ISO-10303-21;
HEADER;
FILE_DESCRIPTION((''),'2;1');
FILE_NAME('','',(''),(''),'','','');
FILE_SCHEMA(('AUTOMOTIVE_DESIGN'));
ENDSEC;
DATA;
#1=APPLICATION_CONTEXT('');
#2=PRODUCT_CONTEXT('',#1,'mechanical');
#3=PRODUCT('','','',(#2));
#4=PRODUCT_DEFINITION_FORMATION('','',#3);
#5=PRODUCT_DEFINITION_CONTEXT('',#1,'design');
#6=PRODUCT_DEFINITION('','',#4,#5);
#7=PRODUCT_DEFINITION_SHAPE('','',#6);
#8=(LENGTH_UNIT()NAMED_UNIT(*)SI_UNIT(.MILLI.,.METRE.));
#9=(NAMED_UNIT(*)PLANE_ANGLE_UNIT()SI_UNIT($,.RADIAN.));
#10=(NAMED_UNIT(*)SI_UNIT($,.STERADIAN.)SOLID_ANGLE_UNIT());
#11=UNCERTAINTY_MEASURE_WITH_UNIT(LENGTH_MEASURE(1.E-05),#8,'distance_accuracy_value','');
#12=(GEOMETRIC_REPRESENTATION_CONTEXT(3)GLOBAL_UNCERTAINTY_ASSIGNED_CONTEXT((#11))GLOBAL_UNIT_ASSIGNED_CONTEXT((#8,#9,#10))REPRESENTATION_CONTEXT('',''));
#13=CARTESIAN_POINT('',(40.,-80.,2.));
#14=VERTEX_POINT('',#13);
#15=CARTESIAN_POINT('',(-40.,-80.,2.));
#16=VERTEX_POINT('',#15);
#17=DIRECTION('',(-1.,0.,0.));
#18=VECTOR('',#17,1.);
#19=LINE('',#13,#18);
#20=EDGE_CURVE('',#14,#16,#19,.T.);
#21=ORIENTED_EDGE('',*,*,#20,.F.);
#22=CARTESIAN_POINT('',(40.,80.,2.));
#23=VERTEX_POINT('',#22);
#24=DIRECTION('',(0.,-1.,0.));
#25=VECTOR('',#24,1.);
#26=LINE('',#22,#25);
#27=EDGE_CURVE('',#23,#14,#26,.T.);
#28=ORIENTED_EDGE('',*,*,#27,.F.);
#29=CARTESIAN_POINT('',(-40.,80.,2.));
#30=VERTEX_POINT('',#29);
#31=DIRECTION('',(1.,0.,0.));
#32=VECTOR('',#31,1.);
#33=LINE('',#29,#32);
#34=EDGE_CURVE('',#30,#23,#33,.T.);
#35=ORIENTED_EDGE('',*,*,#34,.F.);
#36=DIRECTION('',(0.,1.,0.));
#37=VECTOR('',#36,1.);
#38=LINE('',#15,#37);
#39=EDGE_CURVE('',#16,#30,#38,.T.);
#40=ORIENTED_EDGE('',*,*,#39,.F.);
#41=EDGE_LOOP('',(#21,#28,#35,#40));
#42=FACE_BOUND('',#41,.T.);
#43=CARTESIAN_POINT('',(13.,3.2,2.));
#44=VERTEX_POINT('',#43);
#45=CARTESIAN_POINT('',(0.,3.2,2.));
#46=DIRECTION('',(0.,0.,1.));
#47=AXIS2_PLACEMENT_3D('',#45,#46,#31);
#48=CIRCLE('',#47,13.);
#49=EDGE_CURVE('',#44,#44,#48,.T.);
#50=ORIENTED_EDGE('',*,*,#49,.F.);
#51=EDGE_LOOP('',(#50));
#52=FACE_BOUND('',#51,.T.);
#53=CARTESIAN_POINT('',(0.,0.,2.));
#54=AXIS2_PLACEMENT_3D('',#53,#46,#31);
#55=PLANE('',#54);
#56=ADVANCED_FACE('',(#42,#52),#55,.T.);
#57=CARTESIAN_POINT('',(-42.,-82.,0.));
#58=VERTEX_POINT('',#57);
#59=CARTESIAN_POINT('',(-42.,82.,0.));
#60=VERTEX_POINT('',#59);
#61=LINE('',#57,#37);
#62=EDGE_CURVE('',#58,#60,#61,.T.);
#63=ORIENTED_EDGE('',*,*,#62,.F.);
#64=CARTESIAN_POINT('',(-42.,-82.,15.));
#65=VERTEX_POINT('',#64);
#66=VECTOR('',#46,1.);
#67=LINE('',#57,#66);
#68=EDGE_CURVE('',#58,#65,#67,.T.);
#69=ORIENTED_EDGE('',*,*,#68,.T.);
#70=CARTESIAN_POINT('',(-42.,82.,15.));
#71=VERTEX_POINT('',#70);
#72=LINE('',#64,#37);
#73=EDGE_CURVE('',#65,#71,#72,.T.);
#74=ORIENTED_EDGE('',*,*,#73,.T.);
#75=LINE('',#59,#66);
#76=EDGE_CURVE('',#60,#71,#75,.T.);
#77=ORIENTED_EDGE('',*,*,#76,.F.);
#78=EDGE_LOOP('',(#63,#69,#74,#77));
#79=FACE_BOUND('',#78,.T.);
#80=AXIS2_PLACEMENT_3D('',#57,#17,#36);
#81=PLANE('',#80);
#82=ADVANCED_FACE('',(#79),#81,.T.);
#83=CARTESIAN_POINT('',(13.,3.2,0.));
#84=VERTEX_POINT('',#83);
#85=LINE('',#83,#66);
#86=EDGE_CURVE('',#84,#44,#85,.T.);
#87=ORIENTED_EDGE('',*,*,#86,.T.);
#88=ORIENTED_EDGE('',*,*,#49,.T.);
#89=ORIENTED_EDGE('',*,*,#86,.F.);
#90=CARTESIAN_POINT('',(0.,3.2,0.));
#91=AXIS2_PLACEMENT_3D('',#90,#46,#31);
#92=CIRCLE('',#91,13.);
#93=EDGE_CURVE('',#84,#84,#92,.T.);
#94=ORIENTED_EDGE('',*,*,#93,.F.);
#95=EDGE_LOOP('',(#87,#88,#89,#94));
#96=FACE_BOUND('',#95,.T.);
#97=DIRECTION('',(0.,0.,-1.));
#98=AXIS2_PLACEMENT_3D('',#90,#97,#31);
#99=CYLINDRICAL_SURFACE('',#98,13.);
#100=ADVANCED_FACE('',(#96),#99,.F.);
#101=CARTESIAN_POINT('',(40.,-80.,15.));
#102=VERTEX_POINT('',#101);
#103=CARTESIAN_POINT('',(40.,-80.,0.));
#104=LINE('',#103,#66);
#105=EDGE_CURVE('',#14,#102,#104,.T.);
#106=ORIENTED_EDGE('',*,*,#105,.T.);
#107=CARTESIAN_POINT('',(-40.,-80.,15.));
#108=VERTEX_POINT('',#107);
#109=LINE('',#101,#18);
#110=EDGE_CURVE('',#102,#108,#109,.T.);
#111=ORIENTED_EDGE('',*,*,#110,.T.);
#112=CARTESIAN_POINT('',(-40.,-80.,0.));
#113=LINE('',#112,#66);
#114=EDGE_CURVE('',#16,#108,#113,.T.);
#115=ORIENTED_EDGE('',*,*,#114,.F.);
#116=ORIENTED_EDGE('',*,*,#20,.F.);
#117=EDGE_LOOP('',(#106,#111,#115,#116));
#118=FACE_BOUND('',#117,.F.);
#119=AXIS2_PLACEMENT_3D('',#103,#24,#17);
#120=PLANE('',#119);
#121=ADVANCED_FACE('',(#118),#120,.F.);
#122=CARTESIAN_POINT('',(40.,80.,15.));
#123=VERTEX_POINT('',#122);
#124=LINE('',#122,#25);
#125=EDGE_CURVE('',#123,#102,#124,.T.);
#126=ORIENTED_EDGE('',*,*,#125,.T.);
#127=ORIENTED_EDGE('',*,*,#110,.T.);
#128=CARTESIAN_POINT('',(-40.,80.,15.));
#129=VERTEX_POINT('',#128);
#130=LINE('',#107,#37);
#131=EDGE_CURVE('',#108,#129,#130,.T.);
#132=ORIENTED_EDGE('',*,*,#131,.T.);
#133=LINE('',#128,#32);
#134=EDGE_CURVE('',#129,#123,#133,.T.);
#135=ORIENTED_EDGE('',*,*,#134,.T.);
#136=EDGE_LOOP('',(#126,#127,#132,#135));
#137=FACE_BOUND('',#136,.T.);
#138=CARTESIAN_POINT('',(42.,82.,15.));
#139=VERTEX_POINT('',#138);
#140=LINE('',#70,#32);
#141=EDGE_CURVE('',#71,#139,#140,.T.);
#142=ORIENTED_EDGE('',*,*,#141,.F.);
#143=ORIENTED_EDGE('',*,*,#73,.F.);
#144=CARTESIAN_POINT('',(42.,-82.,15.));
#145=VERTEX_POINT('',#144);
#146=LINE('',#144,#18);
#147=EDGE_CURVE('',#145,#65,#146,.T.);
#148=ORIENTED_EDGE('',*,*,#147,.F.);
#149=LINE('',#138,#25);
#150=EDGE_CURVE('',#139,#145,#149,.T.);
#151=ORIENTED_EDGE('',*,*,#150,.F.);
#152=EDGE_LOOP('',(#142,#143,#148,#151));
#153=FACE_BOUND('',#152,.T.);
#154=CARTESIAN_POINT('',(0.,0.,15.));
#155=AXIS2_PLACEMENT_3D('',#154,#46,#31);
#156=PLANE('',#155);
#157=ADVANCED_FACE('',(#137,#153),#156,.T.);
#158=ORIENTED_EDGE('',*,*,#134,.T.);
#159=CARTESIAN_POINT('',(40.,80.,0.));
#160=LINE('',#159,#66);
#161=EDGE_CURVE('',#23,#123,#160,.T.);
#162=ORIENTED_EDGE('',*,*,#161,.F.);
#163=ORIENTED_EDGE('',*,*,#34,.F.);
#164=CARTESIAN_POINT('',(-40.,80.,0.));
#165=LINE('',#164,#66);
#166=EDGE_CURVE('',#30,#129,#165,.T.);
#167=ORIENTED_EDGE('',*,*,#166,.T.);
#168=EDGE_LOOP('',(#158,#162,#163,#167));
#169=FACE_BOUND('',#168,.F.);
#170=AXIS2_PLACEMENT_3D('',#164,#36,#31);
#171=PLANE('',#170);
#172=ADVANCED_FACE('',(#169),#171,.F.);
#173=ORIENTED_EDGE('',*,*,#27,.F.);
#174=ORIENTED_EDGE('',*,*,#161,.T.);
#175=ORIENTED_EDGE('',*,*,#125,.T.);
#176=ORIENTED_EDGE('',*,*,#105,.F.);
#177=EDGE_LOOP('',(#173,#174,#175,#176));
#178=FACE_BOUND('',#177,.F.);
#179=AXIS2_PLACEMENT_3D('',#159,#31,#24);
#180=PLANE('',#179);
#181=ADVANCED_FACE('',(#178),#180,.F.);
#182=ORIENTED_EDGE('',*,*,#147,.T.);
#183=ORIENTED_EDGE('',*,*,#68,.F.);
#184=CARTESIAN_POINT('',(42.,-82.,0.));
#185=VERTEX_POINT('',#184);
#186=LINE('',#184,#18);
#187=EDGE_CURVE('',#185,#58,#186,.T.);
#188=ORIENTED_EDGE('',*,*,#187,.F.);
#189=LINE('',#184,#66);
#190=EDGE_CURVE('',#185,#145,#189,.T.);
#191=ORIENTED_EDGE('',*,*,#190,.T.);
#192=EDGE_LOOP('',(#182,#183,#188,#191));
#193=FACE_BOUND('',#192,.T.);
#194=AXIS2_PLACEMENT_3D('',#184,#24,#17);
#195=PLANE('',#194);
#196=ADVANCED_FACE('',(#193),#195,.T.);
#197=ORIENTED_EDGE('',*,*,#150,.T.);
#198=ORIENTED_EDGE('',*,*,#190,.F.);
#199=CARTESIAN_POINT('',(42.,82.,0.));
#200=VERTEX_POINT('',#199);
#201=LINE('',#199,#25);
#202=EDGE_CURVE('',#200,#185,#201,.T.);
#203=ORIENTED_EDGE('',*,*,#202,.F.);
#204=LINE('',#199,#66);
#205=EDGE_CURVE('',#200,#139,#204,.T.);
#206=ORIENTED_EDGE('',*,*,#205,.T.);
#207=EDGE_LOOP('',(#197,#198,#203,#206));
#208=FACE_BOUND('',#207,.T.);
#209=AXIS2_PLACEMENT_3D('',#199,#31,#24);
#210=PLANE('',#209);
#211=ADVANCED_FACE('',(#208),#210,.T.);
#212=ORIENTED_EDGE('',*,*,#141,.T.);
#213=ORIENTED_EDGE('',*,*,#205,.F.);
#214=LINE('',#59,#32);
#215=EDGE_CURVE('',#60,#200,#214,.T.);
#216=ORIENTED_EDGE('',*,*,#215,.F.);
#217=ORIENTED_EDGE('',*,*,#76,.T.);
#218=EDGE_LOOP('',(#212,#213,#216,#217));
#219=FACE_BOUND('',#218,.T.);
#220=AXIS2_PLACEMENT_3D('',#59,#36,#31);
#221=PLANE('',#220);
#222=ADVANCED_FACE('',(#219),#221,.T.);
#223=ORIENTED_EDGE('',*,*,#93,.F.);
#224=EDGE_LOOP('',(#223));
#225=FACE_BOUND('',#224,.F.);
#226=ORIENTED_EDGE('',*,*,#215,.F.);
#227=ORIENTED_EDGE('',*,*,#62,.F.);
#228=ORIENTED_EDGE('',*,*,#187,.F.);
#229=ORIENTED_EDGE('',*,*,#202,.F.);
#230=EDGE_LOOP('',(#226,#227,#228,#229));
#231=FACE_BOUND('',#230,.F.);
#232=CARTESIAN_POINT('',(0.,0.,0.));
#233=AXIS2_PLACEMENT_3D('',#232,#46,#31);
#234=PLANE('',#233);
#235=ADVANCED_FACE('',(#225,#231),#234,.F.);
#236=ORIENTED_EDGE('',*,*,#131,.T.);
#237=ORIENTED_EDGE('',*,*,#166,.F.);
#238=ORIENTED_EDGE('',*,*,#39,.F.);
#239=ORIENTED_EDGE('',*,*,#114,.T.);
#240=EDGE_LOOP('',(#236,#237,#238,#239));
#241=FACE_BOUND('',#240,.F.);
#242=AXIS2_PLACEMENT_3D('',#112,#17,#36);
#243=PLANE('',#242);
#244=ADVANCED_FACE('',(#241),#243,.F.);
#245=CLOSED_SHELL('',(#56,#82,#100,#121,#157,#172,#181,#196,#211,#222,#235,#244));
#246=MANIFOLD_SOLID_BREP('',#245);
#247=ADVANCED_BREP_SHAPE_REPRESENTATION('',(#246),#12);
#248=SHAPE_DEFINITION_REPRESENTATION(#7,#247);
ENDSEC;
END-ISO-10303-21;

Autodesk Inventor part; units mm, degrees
ref_plane "YZ Plane" through (0, 0, 0) normal (1, 0, 0) x (0, 1, 0)
ref_plane "XZ Plane" through (0, 0, 0) normal (0, 1, 0) x (-1, 0, 0)
ref_plane "XY Plane" through (0, 0, 0) normal (0, 0, 1) x (1, 0, 0)
sketch "Sketch1" plane through (0, 0, 0) normal (0, 0, 1) x (1, 0, 0)
  line L0 (40, -80) -> (-40, -80)
  line L1 (-40, -80) -> (-40, 80)
  line L2 (-40, 80) -> (40, 80)
  line L3 (40, 80) -> (40, -80)
  line L4 (40, -80) -> (-40, 80) construction
  line L5 (-40, -80) -> (40, 80) construction
  line L6 (42, -82) -> (-42, -82)
  line L7 (-42, -82) -> (-42, 82)
  line L8 (-42, 82) -> (42, 82)
  line L9 (42, 82) -> (42, -82)
  line L10 (42, -82) -> (-42, 82) construction
  line L11 (-42, -82) -> (42, 82) construction
  circle A0 centre (0, 3.2) radius 13
  point P0 (0, 0)
  dimension "d0" = 80
  dimension "d1" = 160
  dimension "d2" = 84
  dimension "d3" = 164
  dimension "d4" = 26
  dimension "d5" = 85.2
extrude "Extrusion1" add sketch "Sketch1" along normal blind 2 contours L0 L1 L2 L3
extrude "Extrusion2" add sketch "Sketch1" along normal blind 15 contours L6 L7 L8 L9
properties part number "smartphone-holder-aperture26mm"
